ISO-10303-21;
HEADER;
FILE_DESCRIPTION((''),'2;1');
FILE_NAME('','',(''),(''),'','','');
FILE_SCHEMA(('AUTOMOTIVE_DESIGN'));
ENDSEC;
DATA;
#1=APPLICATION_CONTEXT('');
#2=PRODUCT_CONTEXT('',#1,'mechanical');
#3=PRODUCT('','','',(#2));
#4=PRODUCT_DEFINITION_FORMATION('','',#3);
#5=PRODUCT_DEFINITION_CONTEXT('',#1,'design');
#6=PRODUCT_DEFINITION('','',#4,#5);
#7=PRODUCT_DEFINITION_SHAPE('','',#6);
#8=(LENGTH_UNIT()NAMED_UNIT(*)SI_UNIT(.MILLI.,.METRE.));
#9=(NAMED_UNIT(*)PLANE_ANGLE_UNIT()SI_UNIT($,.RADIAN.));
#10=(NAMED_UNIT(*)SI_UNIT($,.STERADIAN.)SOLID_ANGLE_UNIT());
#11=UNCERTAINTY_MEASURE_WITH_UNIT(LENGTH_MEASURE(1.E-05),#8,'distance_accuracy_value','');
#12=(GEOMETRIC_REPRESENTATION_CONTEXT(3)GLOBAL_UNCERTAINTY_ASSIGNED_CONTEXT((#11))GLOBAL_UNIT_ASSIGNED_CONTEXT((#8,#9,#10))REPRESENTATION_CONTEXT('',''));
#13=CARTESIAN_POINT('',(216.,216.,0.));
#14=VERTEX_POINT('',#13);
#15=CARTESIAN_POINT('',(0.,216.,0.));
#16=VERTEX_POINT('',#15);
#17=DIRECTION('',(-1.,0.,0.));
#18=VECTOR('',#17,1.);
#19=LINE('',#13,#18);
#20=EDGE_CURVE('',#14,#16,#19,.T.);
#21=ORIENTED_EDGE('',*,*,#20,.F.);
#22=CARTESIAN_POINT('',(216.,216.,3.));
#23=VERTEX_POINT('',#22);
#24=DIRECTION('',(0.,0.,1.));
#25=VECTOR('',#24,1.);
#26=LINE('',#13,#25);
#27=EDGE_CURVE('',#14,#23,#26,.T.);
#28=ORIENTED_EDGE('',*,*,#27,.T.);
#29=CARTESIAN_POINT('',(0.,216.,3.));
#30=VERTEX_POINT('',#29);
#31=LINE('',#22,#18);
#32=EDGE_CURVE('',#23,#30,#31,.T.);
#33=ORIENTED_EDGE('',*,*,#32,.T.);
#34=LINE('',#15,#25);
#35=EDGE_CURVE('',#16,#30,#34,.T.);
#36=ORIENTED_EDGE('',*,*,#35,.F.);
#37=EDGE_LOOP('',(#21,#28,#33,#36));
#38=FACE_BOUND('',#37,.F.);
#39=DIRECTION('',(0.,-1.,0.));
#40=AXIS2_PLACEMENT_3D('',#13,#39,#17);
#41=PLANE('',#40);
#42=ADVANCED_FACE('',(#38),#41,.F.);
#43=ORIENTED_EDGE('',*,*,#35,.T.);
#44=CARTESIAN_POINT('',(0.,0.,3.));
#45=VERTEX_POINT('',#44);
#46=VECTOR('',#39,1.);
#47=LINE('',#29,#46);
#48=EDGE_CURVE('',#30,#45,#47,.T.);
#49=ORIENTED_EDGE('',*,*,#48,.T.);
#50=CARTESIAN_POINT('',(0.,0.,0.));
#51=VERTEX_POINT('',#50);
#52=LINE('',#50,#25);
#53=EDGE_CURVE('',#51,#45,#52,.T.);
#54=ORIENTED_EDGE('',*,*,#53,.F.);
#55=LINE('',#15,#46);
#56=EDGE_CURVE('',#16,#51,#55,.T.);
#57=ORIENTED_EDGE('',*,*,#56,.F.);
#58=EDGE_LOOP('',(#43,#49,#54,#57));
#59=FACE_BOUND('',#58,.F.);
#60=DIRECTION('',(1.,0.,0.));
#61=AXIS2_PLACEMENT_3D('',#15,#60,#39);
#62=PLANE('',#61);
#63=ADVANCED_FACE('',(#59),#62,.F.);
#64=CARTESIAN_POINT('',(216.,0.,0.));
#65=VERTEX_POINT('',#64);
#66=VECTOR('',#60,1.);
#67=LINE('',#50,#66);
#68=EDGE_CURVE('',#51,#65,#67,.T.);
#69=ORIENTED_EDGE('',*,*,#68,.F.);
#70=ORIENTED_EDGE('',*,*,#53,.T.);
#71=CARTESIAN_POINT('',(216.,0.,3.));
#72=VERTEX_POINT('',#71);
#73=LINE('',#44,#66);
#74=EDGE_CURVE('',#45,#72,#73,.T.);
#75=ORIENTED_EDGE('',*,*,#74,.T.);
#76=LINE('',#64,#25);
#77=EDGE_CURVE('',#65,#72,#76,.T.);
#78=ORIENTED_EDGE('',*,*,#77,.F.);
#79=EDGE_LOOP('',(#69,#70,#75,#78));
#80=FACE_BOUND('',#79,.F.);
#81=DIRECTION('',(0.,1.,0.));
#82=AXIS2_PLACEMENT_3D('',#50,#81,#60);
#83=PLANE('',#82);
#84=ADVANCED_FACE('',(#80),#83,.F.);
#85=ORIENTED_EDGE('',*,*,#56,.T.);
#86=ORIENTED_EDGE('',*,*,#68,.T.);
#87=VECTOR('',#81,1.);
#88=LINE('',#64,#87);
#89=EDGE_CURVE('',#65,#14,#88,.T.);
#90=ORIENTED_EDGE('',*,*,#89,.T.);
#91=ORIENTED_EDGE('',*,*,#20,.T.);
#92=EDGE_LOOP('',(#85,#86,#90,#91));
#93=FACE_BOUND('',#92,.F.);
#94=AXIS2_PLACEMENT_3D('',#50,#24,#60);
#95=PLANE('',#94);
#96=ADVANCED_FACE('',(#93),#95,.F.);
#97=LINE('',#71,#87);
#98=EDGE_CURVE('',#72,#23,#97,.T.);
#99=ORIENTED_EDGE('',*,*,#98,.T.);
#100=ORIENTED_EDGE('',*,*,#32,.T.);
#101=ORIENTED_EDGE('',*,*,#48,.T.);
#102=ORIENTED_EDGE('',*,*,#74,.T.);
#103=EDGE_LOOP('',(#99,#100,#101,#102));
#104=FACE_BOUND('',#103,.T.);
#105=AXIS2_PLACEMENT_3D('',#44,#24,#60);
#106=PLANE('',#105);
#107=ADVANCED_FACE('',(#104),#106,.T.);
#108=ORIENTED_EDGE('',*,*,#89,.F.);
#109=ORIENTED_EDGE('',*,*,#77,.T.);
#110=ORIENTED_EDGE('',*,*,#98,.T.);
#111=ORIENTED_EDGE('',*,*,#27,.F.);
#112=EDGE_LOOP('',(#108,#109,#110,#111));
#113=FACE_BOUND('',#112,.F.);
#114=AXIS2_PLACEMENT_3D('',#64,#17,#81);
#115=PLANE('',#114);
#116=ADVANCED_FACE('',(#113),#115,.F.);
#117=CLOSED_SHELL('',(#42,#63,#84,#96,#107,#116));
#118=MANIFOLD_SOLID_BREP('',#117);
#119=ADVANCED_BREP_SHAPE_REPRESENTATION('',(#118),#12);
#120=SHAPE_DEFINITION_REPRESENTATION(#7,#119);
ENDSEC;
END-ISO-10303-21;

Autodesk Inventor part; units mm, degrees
ref_plane "YZ Plane" through (0, 0, 0) normal (1, 0, 0) x (0, 1, 0)
ref_plane "XZ Plane" through (0, 0, 0) normal (0, 1, 0) x (-1, 0, 0)
ref_plane "XY Plane" through (0, 0, 0) normal (0, 0, 1) x (1, 0, 0)
sketch "Sketch1" plane through (0, 0, 0) normal (0, 0, 1) x (1, 0, 0)
  line L0 (0, 0) -> (216, 0)
  line L1 (216, 0) -> (216, 216)
  line L2 (216, 216) -> (0, 216)
  line L3 (0, 216) -> (0, 0)
  dimension "d0" = 216
  dimension "d1" = 216
extrude "Extrusion1" add sketch "Sketch1" along normal blind 3
properties part number "inert bund"
